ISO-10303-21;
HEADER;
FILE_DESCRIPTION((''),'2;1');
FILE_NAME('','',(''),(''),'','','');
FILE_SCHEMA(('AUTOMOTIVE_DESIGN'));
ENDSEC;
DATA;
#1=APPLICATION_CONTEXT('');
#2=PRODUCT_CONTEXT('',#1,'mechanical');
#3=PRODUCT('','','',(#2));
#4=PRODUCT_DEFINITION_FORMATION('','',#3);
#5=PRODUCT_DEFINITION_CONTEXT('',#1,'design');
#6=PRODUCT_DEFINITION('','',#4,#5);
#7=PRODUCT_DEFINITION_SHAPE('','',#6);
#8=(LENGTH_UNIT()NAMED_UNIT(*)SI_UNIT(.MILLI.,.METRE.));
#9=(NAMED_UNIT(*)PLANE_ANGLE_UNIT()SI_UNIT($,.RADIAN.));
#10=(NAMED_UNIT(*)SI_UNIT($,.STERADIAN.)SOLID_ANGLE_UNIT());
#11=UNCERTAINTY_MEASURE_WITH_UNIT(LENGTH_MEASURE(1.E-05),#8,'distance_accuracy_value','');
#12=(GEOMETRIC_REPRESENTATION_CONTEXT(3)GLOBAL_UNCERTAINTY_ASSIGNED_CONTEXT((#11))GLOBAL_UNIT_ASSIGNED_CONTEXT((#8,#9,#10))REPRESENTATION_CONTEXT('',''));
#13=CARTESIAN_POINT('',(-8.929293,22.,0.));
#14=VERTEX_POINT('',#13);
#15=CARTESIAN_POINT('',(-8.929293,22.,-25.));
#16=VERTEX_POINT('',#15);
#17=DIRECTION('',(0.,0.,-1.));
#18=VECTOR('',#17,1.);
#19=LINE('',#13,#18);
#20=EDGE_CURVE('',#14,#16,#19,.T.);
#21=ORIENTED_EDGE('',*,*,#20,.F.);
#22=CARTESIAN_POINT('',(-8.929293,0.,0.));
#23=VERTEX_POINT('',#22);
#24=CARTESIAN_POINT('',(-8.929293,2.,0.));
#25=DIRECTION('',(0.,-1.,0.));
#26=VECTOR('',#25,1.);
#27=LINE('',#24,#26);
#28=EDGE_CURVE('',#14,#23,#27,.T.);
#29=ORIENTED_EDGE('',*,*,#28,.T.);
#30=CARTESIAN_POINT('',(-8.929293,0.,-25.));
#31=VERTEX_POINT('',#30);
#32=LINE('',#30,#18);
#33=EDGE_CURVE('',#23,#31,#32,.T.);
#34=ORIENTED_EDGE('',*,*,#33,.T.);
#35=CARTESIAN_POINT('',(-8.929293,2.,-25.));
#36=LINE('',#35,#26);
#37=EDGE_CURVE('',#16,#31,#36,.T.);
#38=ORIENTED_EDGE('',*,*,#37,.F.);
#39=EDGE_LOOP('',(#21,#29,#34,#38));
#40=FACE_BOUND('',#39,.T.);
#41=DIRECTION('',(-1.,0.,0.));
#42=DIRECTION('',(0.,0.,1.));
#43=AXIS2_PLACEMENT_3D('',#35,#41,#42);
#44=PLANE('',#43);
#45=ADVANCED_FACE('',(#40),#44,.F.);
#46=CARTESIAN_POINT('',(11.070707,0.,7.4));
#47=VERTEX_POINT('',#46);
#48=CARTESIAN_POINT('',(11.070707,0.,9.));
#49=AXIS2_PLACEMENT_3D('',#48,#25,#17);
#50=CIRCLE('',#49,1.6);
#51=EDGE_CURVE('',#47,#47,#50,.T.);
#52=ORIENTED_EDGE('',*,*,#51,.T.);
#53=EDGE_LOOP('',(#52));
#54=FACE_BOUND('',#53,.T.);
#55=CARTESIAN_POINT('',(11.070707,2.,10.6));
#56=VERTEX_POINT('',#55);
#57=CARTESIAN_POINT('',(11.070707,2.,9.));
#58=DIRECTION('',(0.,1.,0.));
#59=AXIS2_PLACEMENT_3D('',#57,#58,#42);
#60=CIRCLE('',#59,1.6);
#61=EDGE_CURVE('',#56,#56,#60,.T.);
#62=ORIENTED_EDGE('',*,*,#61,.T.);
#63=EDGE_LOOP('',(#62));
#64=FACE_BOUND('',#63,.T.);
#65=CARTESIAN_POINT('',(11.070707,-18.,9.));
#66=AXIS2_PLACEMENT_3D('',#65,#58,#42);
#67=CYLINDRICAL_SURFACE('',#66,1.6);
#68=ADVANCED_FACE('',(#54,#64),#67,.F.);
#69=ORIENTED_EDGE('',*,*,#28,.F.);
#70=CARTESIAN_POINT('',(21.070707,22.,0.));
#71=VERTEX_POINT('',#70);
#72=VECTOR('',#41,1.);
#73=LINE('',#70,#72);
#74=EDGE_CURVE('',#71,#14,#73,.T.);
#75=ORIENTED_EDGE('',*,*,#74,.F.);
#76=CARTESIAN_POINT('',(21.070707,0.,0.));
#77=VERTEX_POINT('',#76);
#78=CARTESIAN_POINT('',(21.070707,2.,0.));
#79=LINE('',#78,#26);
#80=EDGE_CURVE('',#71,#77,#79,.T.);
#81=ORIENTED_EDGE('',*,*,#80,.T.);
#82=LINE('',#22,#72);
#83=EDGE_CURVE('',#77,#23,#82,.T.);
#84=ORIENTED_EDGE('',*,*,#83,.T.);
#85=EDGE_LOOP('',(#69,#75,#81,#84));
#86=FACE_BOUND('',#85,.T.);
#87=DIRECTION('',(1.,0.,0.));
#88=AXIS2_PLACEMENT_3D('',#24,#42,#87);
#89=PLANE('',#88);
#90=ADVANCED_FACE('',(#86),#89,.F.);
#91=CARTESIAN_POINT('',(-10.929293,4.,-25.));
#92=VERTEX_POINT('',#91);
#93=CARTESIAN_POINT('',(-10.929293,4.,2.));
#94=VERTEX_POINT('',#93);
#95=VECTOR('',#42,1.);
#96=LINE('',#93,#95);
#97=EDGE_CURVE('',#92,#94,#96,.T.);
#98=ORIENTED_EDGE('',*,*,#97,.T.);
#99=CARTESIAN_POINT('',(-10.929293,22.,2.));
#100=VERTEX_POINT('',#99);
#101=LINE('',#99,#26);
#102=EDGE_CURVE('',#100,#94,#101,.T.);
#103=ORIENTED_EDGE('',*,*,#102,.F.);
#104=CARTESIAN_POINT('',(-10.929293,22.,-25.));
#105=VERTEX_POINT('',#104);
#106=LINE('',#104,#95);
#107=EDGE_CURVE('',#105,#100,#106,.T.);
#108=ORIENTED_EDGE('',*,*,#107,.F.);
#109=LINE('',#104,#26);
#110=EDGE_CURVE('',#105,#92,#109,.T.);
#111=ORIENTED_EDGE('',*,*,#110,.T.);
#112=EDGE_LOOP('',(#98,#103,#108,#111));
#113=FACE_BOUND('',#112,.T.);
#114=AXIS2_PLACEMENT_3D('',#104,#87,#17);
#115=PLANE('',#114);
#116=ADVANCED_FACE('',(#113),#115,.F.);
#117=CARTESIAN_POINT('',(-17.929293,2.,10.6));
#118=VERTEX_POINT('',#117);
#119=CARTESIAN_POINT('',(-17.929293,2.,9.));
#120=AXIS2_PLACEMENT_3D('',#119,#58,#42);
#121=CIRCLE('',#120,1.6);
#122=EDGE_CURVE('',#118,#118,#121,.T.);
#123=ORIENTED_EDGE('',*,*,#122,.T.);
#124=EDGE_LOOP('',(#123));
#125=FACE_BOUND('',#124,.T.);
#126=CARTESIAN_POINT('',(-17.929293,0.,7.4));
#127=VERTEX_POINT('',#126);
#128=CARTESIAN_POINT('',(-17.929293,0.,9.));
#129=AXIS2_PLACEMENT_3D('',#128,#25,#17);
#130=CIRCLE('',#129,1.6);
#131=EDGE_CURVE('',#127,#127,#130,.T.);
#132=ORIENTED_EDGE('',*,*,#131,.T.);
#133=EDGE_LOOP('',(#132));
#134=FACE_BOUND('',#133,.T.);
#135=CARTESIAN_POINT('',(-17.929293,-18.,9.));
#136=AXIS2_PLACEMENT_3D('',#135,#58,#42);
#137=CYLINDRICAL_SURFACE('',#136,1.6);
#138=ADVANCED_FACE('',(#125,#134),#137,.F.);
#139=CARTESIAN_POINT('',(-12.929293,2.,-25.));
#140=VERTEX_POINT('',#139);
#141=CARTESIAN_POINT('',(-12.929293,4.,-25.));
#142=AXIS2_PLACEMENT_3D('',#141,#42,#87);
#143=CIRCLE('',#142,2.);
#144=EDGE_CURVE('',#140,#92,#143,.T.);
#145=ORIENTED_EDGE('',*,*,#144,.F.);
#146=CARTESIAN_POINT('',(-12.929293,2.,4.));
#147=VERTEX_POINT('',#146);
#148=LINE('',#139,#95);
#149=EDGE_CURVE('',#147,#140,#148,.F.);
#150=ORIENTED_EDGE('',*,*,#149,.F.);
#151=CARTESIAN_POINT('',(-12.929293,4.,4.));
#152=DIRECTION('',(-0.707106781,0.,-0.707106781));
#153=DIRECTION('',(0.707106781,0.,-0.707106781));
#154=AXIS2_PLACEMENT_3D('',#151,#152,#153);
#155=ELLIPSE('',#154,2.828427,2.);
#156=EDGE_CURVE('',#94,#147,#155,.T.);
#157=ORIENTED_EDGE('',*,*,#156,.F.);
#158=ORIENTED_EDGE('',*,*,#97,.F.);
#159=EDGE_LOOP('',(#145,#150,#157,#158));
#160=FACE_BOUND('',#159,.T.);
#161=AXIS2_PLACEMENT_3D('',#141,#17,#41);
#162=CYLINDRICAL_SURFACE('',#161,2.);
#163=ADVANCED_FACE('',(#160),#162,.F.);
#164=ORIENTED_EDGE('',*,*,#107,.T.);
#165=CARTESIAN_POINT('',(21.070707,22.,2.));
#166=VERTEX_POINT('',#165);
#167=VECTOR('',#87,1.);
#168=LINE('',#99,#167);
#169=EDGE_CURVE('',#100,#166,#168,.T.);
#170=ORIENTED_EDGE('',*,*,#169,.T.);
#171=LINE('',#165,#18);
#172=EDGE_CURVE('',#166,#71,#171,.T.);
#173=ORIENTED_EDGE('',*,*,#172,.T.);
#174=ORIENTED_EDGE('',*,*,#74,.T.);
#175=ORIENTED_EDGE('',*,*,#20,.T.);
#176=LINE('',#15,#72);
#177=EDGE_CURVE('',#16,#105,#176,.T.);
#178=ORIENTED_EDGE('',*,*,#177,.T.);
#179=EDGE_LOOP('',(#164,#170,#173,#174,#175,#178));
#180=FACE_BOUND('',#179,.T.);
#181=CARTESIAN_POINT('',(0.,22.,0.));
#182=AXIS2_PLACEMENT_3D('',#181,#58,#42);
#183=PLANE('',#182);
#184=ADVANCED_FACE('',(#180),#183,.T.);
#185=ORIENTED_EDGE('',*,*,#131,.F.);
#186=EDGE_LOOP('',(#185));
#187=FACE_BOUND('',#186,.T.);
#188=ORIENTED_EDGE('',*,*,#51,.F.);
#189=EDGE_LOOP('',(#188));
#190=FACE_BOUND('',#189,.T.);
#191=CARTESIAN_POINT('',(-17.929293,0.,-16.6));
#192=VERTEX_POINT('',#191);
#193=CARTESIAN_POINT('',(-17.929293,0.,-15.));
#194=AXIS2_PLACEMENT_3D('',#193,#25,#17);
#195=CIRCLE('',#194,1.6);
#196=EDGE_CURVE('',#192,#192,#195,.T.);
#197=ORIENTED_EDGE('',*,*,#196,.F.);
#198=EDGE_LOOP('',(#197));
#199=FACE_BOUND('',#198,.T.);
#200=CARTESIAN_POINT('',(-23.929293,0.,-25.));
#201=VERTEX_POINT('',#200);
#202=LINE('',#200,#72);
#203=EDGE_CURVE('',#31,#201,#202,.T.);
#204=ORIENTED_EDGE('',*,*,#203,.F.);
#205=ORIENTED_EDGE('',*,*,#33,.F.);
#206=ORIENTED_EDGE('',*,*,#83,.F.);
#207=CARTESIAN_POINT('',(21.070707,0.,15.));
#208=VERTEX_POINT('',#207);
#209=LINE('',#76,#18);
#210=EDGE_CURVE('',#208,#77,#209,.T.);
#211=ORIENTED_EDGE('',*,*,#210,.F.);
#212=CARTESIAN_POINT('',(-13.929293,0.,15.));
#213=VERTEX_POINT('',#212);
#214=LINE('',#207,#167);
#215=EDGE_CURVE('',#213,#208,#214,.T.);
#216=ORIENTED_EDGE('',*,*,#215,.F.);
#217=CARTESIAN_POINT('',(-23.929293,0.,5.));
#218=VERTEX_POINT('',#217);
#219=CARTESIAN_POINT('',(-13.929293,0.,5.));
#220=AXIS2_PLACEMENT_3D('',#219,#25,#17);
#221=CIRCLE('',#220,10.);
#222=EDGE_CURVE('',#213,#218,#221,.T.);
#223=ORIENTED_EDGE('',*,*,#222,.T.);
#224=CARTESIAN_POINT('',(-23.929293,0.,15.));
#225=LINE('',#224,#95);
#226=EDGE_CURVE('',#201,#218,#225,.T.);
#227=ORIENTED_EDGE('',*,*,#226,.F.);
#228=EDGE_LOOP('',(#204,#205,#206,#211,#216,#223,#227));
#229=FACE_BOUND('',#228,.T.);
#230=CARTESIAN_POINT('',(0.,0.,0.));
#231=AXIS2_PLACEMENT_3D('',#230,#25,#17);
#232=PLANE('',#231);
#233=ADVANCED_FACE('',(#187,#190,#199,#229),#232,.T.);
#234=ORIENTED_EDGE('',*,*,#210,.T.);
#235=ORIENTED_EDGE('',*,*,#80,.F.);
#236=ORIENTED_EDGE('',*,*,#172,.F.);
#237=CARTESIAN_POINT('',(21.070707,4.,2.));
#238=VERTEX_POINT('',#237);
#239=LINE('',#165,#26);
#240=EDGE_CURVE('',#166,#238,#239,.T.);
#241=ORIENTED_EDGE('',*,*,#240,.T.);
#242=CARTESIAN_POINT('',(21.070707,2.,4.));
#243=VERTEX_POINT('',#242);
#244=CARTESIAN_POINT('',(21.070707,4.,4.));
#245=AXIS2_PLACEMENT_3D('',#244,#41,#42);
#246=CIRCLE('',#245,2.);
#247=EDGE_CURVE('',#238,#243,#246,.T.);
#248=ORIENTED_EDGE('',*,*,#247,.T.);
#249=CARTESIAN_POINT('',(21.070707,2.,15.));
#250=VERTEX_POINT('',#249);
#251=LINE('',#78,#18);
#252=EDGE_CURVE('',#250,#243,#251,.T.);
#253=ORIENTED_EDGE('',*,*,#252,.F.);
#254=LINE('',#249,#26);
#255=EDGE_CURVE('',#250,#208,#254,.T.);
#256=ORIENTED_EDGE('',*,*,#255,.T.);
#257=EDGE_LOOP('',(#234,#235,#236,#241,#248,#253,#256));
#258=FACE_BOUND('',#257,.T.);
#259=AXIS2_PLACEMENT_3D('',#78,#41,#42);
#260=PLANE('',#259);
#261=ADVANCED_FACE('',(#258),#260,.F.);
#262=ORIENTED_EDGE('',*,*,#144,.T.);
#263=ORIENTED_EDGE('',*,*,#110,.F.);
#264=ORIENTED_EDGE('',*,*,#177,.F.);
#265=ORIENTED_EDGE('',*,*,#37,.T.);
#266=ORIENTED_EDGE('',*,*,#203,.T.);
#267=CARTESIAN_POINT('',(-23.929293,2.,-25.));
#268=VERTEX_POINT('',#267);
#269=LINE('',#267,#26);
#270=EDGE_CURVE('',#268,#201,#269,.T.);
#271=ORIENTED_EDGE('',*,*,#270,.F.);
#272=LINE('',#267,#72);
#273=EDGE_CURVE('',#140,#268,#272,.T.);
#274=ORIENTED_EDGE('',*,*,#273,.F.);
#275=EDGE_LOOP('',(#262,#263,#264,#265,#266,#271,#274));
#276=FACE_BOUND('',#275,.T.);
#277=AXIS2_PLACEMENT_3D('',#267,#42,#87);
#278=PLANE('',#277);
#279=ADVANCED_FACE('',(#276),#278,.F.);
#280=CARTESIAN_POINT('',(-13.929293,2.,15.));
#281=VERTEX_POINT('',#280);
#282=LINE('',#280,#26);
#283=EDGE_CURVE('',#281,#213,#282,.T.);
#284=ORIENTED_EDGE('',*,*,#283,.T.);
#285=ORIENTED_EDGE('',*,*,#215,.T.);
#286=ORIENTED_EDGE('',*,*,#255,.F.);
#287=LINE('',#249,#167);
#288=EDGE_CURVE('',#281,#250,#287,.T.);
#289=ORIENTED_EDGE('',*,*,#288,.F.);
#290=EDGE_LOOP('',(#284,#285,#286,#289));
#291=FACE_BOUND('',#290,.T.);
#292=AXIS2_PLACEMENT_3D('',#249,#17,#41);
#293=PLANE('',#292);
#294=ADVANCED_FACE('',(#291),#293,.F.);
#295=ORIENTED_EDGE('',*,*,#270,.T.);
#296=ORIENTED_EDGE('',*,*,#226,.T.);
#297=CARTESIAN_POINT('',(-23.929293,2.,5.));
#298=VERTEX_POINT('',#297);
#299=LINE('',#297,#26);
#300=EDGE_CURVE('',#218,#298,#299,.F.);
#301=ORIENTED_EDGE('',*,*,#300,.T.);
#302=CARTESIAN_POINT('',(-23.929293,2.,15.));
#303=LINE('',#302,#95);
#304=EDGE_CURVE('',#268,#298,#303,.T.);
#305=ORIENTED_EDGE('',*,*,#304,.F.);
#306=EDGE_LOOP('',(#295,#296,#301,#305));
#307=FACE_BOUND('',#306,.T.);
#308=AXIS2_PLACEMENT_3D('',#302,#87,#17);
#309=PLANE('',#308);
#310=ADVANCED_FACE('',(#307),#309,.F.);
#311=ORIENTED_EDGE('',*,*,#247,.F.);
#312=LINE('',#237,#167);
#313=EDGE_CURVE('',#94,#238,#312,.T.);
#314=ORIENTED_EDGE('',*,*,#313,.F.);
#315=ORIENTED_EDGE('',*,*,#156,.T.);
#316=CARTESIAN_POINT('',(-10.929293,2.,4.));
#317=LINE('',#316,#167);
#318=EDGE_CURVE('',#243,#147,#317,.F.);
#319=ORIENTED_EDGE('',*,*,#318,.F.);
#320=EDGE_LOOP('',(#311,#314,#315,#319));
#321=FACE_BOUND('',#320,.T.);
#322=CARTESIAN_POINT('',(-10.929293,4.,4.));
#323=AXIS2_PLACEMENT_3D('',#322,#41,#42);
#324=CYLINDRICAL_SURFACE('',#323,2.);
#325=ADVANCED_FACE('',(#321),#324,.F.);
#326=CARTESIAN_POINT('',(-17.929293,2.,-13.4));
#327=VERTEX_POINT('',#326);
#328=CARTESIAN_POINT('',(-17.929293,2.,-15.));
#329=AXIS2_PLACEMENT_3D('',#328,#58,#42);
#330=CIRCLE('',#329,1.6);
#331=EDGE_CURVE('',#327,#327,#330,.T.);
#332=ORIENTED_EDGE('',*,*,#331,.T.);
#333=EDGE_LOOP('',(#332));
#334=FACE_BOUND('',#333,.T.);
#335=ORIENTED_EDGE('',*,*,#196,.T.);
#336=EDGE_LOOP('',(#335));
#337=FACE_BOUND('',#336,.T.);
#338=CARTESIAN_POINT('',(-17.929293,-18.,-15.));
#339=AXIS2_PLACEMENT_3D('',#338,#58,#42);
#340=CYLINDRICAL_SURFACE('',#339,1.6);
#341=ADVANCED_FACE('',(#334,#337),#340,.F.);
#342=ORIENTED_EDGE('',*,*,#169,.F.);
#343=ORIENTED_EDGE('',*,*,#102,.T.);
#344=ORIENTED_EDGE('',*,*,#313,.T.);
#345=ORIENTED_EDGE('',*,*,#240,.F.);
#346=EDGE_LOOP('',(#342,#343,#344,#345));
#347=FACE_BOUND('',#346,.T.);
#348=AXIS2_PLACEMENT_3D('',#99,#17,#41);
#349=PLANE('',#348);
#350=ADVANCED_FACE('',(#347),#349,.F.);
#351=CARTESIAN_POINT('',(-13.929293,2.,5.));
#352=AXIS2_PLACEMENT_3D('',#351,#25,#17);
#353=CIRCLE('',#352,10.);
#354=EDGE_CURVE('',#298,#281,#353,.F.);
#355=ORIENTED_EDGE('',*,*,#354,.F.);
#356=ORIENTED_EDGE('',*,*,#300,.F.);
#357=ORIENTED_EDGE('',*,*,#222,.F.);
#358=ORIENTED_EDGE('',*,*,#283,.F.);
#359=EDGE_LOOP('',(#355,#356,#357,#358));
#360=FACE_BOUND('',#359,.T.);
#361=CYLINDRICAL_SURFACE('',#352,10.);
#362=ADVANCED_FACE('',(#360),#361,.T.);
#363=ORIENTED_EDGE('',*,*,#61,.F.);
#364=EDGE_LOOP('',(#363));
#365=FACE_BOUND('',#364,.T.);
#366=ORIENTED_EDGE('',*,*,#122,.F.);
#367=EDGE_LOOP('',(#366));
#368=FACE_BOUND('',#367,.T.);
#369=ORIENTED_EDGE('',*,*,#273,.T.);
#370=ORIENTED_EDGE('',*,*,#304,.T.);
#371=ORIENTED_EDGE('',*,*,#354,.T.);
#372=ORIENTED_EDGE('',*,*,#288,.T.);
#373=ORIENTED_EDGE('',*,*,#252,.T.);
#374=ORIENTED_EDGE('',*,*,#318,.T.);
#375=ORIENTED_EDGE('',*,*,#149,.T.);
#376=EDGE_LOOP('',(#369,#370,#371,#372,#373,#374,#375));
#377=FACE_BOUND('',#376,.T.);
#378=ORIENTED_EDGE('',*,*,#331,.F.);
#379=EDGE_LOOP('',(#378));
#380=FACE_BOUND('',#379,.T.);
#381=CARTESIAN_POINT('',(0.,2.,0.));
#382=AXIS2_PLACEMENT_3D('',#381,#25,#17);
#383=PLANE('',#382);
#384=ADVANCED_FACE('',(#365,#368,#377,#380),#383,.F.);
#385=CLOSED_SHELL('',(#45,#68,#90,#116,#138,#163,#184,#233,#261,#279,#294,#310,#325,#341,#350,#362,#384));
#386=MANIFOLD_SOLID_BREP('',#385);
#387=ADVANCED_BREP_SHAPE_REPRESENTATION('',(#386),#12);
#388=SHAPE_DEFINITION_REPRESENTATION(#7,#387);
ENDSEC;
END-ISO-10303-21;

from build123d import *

# Parameters (mm, degrees)
BOSS_EXTRUDE1_DEPTH = 2
BOSS_EXTRUDE2_DEPTH = 20
FILLET1_R           = 2
FILLET2_R           = 10
SKETCH3_R           = 1.6
CUT_EXTRUDE1_DEPTH  = 20


with BuildPart() as part:
    # Sketch1 → Boss-Extrude1 (new body)
    with BuildSketch(Plane(origin=(0, 0, 0), x_dir=(1, 0, 0), z_dir=(0, 1, 0))):
        Polygon((-23.929292929, 25), (-8.929292929, 25), (-8.929292929, 0), (21.070707071, 0), (21.070707071, -15), (-23.929292929, -15), align=None)
    extrude(amount=BOSS_EXTRUDE1_DEPTH)

    # Sketch2 → Boss-Extrude2 (add)
    with BuildSketch(Plane(origin=(0, 2, 0), x_dir=(1, 0, 0), z_dir=(0, 1, 0))):
        Polygon((-8.929292929, 25), (-10.929292929, 25), (-10.929292929, -2), (21.070707071, -2), (21.070707071, 0), (-8.929292929, 0), align=None)
    extrude(amount=BOSS_EXTRUDE2_DEPTH)

    # Fillet1
    fillet1_edges = [part.edges().sort_by_distance(p)[0] for p in [
        (-10.929292929, 2, -11.5),
        (5.070707071, 2, 2),
    ]]
    fillet(fillet1_edges, radius=FILLET1_R)

    # Fillet2
    fillet2_edges = [part.edges().sort_by_distance(p)[0] for p in [
        (-23.929292929, 1, 15),
    ]]
    fillet(fillet2_edges, radius=FILLET2_R)

    # Sketch3 → Cut-Extrude1 (cut)
    with BuildSketch(Plane(origin=(0, 2, 0), x_dir=(1, 0, 0), z_dir=(0, 1, 0))):
        with Locations(Location((-17.929292929, 15, 0), (0, 0, 270))):
            Circle(SKETCH3_R)
        with Locations(Location((11.070707071, -9, 0), (0, 0, 270))):
            Circle(SKETCH3_R)
        with Locations(Location((-17.929292929, -9, 0), (0, 0, 270))):
            Circle(SKETCH3_R)
    extrude(amount=-CUT_EXTRUDE1_DEPTH, mode=Mode.SUBTRACT)


solid = part.part
